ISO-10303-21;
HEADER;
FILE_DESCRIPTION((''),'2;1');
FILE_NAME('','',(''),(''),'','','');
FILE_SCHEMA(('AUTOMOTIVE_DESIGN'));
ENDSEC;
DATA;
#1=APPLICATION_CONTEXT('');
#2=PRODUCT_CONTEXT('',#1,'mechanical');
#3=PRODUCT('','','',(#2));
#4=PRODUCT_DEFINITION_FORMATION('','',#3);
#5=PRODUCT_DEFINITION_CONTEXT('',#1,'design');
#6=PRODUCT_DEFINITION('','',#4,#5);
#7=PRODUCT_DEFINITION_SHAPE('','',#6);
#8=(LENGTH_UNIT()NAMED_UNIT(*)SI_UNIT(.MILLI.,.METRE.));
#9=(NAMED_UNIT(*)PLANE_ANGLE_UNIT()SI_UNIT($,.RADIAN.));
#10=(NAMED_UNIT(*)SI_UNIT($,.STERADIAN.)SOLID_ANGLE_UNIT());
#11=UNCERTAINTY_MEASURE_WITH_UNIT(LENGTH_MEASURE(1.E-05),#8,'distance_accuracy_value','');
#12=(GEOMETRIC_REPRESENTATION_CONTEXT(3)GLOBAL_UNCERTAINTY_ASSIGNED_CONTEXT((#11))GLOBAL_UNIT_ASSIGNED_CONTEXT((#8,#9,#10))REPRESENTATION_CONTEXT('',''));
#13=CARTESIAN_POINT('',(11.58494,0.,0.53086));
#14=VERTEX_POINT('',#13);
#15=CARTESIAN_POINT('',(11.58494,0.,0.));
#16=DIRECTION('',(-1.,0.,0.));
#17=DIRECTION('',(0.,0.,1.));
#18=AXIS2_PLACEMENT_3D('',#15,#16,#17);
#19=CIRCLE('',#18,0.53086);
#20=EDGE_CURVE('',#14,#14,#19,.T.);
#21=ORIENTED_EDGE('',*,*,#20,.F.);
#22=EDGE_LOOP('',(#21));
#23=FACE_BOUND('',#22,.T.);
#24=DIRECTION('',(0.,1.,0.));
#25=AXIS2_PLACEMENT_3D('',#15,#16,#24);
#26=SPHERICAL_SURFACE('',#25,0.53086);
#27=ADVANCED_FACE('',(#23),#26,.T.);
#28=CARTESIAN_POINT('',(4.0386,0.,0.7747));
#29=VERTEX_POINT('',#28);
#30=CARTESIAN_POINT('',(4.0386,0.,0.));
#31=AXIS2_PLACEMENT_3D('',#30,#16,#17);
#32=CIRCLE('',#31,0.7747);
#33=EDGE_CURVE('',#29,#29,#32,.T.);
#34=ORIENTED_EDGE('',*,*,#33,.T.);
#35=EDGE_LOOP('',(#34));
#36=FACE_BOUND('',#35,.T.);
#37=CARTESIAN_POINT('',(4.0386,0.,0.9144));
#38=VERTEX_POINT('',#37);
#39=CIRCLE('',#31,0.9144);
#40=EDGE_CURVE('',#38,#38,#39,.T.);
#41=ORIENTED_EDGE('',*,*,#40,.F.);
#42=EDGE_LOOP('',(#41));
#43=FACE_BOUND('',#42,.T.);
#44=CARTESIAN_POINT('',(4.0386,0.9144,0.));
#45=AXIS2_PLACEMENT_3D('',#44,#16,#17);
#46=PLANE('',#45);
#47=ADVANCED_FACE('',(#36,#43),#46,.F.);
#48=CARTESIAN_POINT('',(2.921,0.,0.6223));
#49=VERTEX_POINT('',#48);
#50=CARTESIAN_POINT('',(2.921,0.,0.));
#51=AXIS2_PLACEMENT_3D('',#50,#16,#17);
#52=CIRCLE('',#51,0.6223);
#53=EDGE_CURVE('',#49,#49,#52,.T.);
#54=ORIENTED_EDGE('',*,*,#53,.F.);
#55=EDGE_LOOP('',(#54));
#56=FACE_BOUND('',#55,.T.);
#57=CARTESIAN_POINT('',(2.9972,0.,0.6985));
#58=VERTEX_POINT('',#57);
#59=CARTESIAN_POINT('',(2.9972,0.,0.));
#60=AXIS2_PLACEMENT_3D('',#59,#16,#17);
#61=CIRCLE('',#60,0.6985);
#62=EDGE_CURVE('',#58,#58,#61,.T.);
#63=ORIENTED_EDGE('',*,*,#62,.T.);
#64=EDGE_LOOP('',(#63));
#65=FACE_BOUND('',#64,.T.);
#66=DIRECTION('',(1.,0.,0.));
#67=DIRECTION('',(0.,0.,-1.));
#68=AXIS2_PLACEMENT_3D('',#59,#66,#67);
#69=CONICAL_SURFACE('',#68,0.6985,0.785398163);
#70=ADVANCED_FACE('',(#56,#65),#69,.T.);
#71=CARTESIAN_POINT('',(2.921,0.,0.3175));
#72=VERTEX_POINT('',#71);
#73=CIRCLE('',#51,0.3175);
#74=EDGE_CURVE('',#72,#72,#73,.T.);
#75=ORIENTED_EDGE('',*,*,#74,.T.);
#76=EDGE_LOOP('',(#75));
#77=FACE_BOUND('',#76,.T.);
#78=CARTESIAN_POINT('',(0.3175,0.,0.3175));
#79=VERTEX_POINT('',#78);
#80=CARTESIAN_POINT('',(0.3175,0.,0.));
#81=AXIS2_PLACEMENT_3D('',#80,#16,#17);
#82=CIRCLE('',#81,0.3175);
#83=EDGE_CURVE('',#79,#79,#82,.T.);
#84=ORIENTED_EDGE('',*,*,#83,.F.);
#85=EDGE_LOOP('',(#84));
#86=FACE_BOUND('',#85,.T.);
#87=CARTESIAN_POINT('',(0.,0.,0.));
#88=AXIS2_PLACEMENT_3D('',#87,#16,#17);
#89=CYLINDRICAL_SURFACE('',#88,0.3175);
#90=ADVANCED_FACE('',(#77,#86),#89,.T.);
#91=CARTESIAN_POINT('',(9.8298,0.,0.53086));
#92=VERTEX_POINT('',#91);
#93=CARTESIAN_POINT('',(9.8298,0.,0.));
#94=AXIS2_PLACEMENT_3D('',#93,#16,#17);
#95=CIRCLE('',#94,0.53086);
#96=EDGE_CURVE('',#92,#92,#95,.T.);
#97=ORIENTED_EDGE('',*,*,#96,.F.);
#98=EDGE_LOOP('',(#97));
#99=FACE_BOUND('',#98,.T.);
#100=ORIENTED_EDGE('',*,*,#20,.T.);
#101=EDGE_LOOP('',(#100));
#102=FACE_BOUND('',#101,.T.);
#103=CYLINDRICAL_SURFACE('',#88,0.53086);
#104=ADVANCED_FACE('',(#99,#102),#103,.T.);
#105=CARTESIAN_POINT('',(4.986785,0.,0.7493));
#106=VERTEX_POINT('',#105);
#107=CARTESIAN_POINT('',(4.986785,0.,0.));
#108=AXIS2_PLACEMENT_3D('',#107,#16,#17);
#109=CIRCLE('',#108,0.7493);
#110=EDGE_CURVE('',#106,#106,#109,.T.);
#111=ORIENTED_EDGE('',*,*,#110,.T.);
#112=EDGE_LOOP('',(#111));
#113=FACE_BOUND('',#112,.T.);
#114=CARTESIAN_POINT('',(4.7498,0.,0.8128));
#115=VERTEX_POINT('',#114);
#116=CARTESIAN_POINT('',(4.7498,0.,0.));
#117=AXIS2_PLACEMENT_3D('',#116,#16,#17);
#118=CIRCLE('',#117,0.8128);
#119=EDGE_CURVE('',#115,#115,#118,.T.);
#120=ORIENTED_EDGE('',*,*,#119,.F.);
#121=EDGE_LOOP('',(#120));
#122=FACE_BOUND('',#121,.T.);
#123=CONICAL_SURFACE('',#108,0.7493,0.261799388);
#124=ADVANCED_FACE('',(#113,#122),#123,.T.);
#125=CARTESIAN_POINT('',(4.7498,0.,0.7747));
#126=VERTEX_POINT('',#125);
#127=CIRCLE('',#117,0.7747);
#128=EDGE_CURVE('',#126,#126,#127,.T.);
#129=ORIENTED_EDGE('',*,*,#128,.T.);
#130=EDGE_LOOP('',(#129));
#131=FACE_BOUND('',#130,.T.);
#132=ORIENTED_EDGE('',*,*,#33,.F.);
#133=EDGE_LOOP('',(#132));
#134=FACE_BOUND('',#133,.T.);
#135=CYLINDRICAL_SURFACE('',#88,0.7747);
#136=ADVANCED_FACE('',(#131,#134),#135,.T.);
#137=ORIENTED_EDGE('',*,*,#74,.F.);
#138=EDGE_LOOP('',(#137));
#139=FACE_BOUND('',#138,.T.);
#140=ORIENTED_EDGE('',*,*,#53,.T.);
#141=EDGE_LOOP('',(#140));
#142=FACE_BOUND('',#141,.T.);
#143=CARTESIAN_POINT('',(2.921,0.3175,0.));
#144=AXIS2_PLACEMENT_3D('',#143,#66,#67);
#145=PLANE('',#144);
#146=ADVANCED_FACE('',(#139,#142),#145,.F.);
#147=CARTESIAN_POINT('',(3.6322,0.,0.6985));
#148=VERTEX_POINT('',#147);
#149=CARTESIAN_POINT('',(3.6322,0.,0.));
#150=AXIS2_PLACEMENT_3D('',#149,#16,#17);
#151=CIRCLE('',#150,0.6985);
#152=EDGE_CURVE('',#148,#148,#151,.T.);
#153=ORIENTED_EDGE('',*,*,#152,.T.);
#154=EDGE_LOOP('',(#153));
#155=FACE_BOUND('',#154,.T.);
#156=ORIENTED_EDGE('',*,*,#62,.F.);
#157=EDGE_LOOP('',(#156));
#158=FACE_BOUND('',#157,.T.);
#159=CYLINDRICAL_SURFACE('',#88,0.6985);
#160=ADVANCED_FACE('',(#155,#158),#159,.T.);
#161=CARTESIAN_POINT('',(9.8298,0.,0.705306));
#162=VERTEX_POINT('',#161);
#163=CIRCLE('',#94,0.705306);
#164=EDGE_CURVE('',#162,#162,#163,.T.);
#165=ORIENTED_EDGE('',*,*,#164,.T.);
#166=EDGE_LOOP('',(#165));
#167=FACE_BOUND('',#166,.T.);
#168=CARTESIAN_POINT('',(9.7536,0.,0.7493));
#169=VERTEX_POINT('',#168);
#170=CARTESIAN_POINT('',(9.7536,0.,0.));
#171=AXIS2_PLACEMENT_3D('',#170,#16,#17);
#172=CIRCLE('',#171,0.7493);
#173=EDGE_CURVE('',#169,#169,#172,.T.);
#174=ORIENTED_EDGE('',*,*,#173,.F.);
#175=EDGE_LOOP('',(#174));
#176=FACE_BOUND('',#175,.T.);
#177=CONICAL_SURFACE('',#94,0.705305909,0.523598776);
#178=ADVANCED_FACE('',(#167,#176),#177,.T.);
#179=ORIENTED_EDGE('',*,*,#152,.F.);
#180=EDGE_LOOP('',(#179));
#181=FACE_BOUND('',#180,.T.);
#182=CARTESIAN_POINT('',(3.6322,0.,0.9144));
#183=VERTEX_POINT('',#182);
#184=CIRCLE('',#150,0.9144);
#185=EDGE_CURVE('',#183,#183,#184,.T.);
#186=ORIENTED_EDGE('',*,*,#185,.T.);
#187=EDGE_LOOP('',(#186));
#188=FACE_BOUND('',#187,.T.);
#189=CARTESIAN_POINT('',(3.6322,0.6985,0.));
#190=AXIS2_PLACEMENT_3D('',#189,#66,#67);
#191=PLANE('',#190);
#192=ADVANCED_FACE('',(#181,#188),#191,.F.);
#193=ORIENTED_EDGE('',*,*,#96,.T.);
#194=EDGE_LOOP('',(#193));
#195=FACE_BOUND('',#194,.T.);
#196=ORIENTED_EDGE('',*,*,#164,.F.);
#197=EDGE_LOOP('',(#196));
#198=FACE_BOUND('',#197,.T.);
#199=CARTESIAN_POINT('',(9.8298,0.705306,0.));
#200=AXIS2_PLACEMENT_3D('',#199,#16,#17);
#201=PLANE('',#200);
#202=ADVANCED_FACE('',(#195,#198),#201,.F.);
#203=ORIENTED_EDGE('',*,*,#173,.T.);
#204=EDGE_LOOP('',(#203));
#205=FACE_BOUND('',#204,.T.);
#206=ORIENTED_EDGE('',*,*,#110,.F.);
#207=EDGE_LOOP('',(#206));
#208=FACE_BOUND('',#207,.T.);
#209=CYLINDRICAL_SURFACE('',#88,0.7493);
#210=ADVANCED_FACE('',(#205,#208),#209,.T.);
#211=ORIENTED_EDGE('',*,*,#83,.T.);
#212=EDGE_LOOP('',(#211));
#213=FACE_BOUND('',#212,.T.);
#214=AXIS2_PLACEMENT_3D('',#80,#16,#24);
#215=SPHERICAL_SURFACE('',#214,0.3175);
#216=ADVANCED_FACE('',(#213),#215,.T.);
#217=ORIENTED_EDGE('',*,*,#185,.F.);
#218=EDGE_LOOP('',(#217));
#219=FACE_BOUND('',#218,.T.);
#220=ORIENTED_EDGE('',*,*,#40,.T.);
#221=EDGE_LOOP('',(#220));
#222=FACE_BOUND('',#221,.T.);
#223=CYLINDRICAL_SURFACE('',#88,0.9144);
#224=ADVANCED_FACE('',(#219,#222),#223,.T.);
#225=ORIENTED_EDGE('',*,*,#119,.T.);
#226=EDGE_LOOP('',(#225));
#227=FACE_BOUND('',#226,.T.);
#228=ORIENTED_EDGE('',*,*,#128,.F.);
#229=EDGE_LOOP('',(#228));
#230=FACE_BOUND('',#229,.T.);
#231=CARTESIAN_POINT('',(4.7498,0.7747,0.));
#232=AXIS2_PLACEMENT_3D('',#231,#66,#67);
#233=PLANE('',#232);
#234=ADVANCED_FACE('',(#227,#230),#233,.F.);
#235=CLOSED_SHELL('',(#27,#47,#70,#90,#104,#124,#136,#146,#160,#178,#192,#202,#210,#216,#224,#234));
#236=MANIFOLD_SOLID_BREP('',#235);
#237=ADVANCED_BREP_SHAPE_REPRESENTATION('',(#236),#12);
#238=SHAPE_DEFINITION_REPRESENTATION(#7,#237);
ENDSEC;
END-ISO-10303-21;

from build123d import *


with BuildPart() as part:
    # Sketch1 → Revolve1 (revolve)
    with BuildSketch(Plane.XY, mode=Mode.PRIVATE) as revolve1_sk:
        with BuildLine():
            Line((0, 0), (12.1158, 0))
            ThreePointArc((12.1158, 0), (11.960314706, 0.375374706), (11.58494, 0.53086))
            Line((11.58494, 0.53086), (9.8298, 0.53086))
            Line((9.8298, 0.53086), (9.8298, 0.705305909))
            Line((9.8298, 0.705305909), (9.7536, 0.7493))
            Line((9.7536, 0.7493), (4.986785226, 0.7493))
            Line((4.986785226, 0.7493), (4.7498, 0.8128))
            Line((4.7498, 0.8128), (4.7498, 0.7747))
            Line((4.7498, 0.7747), (4.0386, 0.7747))
            Line((4.0386, 0.7747), (4.0386, 0.9144))
            Line((4.0386, 0.9144), (3.6322, 0.9144))
            Line((3.6322, 0.9144), (3.6322, 0.6985))
            Line((3.6322, 0.6985), (2.9972, 0.6985))
            Line((2.9972, 0.6985), (2.921, 0.6223))
            Line((2.921, 0.6223), (2.921, 0.3175))
            Line((2.921, 0.3175), (0.3175, 0.3175))
            ThreePointArc((0.3175, 0.3175), (0.092993597, 0.224506403), (0, 0))
        make_face()
    revolve(revolve1_sk.sketch.rotate(Axis((0, 0, 0), (1, 0, 0)), 90), axis=Axis((0, 0, 0), (1, 0, 0)))


solid = part.part
